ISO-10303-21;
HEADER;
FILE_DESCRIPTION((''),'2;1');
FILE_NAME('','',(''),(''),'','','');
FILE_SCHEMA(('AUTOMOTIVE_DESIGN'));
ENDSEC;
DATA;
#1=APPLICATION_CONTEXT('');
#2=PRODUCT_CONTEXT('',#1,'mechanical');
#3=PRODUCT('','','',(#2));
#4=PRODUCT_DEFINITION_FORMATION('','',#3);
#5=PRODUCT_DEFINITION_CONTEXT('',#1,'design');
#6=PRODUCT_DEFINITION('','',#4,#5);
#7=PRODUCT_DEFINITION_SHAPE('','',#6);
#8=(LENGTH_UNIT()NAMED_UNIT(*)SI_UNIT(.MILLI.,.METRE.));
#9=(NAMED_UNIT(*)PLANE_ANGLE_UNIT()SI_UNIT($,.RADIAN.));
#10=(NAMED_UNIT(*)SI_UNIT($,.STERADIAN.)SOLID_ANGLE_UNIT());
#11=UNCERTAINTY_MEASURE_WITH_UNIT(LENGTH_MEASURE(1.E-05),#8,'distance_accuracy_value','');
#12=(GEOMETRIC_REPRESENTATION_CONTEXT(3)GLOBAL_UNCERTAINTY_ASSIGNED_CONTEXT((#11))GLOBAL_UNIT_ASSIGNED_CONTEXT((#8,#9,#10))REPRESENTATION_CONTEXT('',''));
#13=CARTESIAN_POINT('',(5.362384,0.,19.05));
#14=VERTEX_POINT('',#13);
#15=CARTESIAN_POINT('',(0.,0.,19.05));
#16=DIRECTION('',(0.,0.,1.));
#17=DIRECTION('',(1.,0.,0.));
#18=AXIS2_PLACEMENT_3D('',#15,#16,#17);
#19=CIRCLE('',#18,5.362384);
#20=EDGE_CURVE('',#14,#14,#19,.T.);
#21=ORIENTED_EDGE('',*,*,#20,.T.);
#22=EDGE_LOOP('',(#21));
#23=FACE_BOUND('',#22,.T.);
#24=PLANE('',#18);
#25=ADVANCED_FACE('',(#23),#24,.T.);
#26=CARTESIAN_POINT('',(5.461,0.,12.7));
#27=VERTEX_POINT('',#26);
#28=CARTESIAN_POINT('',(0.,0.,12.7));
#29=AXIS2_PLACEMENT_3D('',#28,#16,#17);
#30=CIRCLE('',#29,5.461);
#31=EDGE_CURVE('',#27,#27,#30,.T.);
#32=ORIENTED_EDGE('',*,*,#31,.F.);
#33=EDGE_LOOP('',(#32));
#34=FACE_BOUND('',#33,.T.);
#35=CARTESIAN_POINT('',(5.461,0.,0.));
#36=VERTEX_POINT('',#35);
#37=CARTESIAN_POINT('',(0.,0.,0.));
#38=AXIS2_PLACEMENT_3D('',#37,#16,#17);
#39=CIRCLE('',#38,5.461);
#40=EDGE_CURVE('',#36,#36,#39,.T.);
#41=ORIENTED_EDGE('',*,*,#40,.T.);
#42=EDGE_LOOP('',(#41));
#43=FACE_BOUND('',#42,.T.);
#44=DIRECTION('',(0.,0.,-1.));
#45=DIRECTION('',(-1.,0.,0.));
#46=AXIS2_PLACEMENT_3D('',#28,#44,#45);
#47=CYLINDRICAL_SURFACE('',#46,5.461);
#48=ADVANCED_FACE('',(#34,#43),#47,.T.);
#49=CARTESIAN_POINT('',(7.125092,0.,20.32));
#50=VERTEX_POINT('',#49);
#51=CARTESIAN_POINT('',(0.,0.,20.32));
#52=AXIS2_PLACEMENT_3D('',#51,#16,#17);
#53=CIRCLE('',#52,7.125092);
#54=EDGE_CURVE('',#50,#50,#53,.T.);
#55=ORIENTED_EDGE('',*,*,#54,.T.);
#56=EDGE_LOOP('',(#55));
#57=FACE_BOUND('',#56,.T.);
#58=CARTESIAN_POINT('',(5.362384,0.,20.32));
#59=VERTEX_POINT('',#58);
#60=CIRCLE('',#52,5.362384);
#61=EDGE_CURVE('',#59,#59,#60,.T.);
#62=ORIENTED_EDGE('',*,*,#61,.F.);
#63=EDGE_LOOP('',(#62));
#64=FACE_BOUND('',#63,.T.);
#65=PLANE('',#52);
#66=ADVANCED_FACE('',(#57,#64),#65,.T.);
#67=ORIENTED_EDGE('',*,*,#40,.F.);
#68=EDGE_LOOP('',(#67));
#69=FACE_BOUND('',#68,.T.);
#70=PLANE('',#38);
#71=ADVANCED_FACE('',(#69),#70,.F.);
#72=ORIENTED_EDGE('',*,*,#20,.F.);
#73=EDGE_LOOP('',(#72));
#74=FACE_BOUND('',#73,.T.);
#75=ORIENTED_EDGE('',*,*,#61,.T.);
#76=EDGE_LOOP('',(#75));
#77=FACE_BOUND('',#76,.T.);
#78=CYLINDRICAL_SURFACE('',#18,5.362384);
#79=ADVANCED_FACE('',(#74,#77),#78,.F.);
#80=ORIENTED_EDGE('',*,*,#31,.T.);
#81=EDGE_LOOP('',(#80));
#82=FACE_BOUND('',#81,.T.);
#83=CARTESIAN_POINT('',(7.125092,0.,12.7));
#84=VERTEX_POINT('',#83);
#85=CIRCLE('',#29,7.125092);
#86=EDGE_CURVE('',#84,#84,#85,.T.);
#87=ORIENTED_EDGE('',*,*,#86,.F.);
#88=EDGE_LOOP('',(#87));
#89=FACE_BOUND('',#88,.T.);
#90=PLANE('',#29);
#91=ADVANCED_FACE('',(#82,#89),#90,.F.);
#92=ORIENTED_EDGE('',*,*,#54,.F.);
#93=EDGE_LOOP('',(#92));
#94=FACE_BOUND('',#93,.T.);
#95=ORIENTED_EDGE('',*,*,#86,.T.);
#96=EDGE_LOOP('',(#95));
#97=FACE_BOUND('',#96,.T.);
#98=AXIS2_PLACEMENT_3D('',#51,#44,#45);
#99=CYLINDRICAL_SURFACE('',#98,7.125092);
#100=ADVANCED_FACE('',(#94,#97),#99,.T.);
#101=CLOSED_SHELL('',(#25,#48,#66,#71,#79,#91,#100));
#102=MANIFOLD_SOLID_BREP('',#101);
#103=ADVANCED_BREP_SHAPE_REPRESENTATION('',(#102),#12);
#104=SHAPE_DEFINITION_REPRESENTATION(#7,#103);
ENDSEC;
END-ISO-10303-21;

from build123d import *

# Parameters (mm, degrees)
SKETCH1_R      = 5.461
EXTRUDE1_DEPTH = 12.7
SKETCH2_R      = 7.125092069
EXTRUDE2_DEPTH = 7.62
SKETCH3_R      = 5.362383774
EXTRUDE3_DEPTH = 1.27


with BuildPart() as part:
    # Sketch1 → Extrude1 (new body)
    with BuildSketch(Plane.XY):
        Circle(SKETCH1_R)
    extrude(amount=EXTRUDE1_DEPTH)

    # Sketch2 → Extrude2 (add)
    with BuildSketch(Plane.XY.offset(12.7)):
        Circle(SKETCH2_R)
    extrude(amount=EXTRUDE2_DEPTH)

    # Sketch3 → Extrude3 (cut)
    with BuildSketch(Plane.XY.offset(20.32)):
        Circle(SKETCH3_R)
    extrude(amount=-EXTRUDE3_DEPTH, mode=Mode.SUBTRACT)


solid = part.part
